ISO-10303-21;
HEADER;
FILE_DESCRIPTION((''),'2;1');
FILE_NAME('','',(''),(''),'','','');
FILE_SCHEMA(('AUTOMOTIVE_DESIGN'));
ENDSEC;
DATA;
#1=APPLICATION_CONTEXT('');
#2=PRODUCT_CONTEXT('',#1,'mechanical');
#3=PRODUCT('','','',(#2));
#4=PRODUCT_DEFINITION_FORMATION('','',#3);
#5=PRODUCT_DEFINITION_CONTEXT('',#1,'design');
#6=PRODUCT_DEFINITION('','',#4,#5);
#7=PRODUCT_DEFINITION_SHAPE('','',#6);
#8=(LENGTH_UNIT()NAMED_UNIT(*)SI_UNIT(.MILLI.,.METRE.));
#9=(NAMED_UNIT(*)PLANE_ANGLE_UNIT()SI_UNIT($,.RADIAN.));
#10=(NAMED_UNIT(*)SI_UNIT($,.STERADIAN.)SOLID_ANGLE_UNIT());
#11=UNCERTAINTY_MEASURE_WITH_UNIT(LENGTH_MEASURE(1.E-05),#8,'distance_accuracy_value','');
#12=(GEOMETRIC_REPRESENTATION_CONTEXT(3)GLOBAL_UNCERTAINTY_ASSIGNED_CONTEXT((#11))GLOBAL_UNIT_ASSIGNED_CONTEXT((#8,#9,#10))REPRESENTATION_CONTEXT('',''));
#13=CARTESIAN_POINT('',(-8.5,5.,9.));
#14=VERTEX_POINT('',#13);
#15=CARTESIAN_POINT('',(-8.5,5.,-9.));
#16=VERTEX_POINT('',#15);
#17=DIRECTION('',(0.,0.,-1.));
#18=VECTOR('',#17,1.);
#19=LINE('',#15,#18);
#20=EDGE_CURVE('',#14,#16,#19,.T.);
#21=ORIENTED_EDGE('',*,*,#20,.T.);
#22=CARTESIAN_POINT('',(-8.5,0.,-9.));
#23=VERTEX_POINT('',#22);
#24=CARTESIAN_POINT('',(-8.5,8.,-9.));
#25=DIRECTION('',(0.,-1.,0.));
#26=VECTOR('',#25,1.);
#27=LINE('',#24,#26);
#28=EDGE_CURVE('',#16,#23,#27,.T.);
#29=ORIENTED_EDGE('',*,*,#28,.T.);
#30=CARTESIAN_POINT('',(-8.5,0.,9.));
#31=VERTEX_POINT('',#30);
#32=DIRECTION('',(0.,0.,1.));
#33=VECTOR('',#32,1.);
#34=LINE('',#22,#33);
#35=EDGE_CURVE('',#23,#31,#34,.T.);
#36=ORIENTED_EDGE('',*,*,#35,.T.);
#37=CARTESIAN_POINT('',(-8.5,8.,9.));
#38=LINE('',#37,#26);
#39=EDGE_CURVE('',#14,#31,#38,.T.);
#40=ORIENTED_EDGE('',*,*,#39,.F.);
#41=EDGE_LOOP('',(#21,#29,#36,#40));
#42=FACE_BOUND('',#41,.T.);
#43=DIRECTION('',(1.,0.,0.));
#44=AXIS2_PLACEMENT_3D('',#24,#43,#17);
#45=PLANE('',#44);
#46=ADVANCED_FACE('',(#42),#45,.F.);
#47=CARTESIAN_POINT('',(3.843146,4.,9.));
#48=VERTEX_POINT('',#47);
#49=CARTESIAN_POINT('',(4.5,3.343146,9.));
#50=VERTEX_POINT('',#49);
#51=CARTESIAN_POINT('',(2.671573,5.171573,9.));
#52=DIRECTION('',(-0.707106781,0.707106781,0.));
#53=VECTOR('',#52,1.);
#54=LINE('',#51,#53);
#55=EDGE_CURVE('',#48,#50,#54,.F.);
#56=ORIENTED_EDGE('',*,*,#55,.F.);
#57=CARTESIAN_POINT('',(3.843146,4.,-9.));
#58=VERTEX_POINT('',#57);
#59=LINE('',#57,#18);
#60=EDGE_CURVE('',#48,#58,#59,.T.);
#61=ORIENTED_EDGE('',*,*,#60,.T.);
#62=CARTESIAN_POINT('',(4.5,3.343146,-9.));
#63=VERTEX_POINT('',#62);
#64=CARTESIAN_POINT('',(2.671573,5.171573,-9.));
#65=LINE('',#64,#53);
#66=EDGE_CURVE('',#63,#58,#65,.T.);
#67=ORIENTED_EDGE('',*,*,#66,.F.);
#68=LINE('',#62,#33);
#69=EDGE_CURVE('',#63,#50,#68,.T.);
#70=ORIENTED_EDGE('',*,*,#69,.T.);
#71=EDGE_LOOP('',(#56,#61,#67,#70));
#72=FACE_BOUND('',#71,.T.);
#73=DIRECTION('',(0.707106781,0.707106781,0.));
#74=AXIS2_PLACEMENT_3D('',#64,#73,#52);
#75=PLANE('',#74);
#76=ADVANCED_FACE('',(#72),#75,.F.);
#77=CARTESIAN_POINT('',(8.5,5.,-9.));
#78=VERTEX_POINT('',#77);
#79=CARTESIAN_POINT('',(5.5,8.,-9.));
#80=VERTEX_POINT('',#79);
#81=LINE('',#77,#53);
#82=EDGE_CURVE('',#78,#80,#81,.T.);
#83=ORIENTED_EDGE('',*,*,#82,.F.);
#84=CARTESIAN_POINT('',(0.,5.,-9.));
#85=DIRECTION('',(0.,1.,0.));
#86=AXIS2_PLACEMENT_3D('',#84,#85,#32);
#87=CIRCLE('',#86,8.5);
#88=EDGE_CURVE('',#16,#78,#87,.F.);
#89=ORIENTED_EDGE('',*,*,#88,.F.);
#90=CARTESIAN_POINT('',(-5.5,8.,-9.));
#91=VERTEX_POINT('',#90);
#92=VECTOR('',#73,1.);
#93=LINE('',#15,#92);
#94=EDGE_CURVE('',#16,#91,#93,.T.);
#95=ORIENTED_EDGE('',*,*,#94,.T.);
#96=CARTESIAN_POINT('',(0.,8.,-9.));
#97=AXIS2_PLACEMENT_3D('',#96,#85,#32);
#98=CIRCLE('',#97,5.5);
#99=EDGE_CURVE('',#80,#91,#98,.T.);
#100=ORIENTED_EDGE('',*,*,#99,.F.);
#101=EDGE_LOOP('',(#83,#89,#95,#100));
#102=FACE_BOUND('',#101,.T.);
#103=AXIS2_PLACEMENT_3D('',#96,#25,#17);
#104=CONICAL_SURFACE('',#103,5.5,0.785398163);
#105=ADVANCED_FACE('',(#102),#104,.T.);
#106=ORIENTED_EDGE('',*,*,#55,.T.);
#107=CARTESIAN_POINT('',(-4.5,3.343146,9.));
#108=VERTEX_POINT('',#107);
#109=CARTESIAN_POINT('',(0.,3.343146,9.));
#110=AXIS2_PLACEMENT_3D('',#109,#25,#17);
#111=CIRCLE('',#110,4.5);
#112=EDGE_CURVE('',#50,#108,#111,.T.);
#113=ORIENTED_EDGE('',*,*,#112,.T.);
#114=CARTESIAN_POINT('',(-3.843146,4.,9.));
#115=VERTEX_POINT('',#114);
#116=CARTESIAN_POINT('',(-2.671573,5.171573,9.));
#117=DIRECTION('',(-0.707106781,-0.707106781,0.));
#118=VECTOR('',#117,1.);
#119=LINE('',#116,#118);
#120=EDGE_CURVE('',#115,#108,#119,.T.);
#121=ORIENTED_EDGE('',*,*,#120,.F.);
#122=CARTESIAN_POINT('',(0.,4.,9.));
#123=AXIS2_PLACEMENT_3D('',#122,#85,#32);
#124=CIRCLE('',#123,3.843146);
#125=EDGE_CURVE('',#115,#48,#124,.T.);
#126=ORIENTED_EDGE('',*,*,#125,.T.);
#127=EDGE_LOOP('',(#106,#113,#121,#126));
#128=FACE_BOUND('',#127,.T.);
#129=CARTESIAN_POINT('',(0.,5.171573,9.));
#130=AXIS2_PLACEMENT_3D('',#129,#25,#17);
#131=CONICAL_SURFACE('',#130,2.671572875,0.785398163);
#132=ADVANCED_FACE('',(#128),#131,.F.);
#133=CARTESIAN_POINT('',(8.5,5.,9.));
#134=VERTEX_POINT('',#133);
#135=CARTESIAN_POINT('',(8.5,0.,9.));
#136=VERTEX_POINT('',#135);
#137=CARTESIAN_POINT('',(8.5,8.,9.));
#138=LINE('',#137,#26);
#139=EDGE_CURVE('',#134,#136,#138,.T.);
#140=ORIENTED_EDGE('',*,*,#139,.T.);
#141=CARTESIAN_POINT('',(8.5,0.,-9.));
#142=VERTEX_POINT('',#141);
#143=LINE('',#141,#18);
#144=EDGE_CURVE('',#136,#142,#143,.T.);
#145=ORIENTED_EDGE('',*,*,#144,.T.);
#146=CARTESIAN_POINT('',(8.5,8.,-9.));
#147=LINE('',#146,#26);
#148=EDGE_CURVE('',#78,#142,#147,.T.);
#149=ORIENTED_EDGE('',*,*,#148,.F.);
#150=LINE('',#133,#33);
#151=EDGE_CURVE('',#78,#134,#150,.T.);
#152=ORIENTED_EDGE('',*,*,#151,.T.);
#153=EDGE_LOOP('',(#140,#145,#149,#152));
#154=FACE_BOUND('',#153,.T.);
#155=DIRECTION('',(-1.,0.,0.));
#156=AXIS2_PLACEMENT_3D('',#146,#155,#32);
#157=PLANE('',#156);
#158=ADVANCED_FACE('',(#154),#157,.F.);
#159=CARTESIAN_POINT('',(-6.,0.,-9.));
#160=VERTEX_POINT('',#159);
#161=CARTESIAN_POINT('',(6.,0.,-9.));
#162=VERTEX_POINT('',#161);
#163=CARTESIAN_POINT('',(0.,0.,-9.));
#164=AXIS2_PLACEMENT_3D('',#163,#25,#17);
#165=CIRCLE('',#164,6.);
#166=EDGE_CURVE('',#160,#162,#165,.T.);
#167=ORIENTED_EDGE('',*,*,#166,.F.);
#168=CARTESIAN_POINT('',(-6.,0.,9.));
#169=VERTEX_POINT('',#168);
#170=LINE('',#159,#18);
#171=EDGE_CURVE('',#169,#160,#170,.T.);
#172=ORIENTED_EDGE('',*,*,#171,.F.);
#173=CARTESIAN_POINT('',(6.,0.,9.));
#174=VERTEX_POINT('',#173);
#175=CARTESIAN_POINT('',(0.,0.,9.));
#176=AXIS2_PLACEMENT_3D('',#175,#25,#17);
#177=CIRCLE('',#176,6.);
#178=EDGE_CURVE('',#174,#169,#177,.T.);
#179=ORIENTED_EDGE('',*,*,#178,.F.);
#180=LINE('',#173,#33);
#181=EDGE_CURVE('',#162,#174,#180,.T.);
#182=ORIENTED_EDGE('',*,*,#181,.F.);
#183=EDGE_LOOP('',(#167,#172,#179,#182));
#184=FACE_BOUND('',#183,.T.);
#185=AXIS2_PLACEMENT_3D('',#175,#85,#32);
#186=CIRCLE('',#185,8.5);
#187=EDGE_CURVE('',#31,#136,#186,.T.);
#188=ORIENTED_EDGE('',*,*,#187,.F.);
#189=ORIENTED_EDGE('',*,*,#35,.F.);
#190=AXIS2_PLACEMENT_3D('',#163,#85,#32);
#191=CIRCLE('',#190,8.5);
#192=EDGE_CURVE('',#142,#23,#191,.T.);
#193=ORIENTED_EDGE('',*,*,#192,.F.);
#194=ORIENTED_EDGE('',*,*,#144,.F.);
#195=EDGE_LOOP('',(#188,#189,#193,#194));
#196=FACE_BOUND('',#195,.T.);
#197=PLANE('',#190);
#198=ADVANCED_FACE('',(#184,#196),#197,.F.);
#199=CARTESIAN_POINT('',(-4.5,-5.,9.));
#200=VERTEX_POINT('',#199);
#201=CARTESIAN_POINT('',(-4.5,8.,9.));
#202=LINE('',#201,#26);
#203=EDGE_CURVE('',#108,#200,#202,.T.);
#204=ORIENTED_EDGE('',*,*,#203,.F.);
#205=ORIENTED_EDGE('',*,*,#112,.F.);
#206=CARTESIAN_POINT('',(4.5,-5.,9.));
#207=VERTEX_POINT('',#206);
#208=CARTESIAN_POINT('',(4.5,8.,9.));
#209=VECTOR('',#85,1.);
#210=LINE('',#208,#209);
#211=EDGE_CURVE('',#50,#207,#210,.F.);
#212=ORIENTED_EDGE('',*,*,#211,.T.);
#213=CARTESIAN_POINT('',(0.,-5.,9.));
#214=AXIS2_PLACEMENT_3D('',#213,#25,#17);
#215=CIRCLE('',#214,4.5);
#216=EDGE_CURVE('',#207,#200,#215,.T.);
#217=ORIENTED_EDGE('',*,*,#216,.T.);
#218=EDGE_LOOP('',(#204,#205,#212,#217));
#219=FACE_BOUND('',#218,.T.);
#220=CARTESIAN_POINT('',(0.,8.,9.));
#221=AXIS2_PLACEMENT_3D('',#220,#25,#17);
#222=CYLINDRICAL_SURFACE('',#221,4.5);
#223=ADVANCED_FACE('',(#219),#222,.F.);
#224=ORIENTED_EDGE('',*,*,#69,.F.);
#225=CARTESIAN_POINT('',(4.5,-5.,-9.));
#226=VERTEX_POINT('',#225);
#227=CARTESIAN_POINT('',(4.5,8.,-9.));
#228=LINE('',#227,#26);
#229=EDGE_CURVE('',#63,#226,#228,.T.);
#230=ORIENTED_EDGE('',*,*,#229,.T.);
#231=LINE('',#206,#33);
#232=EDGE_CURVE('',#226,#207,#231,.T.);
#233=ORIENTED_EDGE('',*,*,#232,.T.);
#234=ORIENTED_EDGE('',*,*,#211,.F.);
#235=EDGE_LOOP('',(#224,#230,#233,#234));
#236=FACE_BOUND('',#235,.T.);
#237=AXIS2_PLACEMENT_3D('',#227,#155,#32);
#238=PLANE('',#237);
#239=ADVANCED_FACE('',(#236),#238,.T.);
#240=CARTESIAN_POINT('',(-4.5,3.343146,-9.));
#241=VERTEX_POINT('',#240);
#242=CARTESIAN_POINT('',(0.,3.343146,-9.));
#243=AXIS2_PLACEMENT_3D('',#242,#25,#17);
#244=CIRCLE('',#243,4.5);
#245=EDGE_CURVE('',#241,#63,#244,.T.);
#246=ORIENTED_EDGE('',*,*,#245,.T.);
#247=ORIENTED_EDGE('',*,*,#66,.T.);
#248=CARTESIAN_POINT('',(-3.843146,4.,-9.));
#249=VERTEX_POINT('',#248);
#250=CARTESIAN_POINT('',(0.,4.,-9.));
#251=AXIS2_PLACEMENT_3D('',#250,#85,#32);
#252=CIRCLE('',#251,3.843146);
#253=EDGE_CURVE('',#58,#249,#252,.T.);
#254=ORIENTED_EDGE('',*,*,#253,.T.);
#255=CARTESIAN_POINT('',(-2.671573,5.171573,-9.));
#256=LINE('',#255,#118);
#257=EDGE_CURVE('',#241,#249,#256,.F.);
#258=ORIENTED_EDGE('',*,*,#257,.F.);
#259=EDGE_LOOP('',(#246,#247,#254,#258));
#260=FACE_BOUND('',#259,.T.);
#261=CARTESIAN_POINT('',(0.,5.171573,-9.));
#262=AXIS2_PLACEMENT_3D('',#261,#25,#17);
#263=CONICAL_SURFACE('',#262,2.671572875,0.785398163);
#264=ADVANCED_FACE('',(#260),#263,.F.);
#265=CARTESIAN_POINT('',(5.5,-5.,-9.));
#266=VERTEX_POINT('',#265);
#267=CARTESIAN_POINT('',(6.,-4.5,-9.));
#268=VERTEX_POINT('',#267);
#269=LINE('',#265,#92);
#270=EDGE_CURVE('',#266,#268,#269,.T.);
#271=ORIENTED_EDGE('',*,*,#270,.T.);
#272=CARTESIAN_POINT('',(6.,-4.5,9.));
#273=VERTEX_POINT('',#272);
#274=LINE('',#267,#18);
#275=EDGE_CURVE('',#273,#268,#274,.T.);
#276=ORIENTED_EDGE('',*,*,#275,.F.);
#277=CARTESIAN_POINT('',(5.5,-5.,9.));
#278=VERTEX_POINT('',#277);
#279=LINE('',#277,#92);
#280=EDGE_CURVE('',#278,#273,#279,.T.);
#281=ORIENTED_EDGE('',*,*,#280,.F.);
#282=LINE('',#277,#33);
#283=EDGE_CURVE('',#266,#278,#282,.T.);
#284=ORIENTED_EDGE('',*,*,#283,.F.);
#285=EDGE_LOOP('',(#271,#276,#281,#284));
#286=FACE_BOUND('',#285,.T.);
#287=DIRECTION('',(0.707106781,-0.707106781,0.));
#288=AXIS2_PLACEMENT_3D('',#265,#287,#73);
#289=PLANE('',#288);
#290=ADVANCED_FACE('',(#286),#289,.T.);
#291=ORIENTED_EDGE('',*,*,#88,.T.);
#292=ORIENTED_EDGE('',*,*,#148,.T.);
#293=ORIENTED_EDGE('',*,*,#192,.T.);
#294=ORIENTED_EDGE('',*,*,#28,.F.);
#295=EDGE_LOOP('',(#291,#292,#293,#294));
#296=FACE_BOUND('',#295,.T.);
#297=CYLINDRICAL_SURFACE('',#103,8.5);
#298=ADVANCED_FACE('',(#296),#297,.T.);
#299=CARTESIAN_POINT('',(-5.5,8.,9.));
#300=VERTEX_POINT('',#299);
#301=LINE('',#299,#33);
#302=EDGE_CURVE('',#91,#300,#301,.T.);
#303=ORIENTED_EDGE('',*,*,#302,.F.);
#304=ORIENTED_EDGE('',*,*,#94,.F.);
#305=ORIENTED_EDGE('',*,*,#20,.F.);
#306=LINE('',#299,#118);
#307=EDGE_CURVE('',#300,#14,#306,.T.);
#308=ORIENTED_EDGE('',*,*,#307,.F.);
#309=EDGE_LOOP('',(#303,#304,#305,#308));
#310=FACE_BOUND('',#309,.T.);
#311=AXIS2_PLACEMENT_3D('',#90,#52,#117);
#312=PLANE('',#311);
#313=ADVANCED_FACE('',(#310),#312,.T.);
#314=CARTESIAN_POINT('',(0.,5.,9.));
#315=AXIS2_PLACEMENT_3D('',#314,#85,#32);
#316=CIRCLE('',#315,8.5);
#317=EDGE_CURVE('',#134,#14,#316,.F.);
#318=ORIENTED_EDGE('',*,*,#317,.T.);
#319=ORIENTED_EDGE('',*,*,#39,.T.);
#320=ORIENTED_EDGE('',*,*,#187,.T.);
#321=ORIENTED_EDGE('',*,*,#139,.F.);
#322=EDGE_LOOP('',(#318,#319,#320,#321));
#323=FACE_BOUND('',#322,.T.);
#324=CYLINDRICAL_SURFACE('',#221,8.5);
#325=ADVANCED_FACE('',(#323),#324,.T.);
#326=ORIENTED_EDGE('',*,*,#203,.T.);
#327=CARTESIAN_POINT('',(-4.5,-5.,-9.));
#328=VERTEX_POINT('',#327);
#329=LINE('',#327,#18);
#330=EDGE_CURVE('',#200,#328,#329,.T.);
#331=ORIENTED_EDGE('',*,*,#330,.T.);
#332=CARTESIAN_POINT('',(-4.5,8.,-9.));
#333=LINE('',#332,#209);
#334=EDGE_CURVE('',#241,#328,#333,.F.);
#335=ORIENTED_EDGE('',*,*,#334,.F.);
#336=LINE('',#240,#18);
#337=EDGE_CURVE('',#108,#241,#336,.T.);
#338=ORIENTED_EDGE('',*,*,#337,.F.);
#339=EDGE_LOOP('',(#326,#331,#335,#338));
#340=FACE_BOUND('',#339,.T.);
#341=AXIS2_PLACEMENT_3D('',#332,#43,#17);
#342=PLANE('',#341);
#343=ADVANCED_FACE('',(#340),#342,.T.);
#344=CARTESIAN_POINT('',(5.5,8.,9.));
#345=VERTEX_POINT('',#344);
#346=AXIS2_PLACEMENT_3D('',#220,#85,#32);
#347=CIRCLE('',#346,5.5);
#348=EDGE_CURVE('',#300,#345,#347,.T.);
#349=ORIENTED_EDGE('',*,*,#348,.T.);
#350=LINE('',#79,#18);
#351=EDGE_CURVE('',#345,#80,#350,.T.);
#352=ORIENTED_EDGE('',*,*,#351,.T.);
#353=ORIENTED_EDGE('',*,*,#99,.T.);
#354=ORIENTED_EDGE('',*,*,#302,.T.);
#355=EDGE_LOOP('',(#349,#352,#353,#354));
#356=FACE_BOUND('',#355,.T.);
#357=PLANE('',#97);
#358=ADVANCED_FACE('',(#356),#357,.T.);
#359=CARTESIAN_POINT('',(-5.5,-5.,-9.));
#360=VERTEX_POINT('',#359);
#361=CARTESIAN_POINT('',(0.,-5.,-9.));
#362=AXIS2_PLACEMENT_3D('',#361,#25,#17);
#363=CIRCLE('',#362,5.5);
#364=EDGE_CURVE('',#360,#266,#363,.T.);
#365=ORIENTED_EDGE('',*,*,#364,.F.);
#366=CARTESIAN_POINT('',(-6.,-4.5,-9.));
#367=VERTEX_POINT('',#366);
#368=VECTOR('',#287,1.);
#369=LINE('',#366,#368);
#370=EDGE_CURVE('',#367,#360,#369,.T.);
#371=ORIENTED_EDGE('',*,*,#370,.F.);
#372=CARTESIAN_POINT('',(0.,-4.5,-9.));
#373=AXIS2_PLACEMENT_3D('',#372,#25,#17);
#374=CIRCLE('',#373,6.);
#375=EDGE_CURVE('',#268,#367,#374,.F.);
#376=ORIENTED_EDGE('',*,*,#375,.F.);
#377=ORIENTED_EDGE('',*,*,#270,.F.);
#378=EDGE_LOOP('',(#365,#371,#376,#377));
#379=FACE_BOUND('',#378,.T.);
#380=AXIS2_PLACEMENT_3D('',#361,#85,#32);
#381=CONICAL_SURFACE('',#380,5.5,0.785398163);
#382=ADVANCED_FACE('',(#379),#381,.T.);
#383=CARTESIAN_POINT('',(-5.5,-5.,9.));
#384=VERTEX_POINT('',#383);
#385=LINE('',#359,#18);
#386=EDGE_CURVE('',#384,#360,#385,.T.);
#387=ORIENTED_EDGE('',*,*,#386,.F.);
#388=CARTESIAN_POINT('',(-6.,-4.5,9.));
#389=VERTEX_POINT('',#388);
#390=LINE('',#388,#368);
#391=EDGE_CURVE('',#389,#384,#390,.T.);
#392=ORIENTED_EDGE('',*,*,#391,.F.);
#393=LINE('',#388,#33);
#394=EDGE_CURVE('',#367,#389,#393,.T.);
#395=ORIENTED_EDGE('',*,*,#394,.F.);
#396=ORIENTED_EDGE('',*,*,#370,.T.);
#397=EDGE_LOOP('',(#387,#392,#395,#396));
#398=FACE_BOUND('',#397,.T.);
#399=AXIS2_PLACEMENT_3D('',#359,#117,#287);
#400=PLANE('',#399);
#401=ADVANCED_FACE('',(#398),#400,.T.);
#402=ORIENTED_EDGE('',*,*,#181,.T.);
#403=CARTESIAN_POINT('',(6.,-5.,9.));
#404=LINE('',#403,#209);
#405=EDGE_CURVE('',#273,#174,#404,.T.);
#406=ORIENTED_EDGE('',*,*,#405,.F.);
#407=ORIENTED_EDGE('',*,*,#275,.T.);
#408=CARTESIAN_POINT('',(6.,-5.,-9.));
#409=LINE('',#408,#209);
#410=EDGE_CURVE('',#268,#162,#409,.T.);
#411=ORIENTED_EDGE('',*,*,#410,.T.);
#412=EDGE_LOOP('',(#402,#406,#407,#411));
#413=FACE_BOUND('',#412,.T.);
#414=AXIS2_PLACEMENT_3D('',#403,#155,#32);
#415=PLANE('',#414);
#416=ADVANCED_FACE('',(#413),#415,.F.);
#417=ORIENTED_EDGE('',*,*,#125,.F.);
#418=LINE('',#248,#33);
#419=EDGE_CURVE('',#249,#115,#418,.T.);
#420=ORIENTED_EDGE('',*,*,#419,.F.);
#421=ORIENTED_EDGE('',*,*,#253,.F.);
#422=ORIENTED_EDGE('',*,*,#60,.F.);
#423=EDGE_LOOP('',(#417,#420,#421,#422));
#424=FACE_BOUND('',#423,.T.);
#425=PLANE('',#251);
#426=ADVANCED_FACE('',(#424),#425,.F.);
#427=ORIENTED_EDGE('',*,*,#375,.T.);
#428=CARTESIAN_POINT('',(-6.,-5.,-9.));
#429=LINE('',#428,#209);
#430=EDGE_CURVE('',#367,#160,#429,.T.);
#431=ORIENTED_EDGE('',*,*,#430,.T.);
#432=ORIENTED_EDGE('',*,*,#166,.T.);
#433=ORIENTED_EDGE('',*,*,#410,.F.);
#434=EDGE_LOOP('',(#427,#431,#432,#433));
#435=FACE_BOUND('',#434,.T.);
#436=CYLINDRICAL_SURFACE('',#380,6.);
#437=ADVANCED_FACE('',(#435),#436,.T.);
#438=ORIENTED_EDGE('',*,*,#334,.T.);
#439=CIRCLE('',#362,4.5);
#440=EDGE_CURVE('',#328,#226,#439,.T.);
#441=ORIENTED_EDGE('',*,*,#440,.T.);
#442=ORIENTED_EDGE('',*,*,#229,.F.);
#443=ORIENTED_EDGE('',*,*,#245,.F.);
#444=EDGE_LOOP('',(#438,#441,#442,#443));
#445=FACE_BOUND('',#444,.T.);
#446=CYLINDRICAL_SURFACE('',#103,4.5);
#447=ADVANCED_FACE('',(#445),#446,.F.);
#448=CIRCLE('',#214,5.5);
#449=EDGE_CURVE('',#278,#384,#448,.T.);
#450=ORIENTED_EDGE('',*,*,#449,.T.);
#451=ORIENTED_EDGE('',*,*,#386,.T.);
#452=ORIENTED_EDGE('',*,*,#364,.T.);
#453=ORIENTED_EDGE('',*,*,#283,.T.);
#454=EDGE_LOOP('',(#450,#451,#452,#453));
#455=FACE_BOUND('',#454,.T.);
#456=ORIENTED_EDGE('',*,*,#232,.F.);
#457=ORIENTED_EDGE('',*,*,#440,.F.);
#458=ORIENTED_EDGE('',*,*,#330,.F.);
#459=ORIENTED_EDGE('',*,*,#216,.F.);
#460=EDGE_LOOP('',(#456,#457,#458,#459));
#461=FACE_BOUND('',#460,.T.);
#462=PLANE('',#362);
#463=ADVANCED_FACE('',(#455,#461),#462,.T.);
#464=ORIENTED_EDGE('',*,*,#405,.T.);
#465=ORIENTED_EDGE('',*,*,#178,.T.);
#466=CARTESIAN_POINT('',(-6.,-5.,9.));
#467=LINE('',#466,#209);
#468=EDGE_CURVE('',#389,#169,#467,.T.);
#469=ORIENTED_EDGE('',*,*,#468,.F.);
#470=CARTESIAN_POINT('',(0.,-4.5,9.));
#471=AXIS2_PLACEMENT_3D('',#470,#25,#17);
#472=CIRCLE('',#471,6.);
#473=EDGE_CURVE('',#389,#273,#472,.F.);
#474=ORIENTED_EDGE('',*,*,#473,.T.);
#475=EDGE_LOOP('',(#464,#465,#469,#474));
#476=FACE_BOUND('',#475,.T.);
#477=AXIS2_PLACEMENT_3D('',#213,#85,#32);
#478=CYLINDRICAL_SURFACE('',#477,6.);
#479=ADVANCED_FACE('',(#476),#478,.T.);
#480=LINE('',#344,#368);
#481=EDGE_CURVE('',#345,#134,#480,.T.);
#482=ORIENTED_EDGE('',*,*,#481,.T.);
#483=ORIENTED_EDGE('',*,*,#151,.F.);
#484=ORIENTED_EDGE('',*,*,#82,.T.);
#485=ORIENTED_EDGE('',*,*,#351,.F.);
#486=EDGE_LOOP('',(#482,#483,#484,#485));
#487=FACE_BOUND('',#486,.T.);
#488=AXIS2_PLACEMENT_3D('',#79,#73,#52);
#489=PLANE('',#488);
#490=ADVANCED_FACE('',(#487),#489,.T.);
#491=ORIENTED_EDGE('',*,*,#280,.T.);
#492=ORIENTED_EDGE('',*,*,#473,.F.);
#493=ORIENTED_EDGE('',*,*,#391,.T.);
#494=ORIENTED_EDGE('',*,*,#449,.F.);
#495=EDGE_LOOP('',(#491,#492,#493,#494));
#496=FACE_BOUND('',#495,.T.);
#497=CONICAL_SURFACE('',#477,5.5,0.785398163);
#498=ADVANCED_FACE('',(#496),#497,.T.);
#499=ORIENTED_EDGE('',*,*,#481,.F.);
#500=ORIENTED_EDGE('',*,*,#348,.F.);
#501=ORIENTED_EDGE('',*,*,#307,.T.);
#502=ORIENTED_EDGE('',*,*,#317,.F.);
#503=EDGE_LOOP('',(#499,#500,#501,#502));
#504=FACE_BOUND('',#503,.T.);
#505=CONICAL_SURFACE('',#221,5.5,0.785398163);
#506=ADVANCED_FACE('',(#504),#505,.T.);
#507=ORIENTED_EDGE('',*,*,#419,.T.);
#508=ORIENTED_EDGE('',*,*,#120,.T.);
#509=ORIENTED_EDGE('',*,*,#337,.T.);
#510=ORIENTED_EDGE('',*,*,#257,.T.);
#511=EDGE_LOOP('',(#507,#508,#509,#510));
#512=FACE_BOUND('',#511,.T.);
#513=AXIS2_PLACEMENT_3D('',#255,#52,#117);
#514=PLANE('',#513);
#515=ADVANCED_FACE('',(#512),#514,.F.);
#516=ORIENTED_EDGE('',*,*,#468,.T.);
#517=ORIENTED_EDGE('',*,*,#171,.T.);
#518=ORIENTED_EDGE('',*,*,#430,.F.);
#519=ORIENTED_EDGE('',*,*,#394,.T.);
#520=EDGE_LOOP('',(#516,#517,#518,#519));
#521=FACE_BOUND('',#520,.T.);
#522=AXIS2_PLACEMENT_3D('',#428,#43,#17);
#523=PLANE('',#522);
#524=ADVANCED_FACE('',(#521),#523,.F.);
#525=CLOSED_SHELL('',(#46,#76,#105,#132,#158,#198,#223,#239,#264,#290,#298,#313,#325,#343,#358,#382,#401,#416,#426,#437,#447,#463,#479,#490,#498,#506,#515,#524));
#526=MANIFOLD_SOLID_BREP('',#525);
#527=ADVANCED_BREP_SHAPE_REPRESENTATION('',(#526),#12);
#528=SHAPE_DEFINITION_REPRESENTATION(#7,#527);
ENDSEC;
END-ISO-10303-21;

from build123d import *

# Parameters (mm, degrees)
EXTRUSION1_DEPTH = 8
CHANFREIN1_SIZE  = 3
COQUE1_T         = -4
EXTRUSION2_DEPTH = 5
CHANFREIN2_SIZE  = 0.5


with BuildPart() as part:
    # Esquisse1 → Extrusion1 (new body)
    with BuildSketch(Plane(origin=(0, 0, 0), x_dir=(1, 0, 0), z_dir=(0, 1, 0))):
        with BuildLine():
            Line((-8.5, 9), (-8.5, -9))
            ThreePointArc((-8.5, -9), (0, -17.5), (8.5, -9))
            Line((8.5, -9), (8.5, 9))
            ThreePointArc((8.5, 9), (0, 17.5), (-8.5, 9))
        make_face()
    extrude(amount=EXTRUSION1_DEPTH)

    # Chanfrein1
    chanfrein1_edges = [part.edges().sort_by_distance(p)[0] for p in [
        (0, 8, 17.5),
        (8.5, 8, 0),
        (0, 8, -17.5),
        (-8.5, 8, 0),
    ]]
    chamfer(chanfrein1_edges, length=CHANFREIN1_SIZE)

    # Coque1
    coque1_openings = [part.faces().sort_by_distance(p)[0] for p in [
        (0, 0, 0),
    ]]
    offset(amount=COQUE1_T, openings=coque1_openings, kind=Kind.INTERSECTION)

    # Esquisse2 → Extrusion2 (add)
    with BuildSketch(Plane.XZ):
        with BuildLine():
            Line((-6, -9), (-6, 9))
            ThreePointArc((-6, 9), (0, 15), (6, 9))
            Line((6, 9), (6, -9))
            ThreePointArc((6, -9), (0, -15), (-6, -9))
        make_face()
        with BuildLine():
            Line((4.5, 9), (4.5, -9))
            ThreePointArc((4.5, -9), (0, -13.5), (-4.5, -9))
            Line((-4.5, -9), (-4.5, 9))
            ThreePointArc((-4.5, 9), (0, 13.5), (4.5, 9))
        make_face(mode=Mode.SUBTRACT)
    extrude(amount=EXTRUSION2_DEPTH)

    # Chanfrein2
    chanfrein2_edges = [part.edges().sort_by_distance(p)[0] for p in [
        (0, -5, -15),
        (6, -5, 0),
        (0, -5, 15),
        (-6, -5, 0),
    ]]
    chamfer(chanfrein2_edges, length=CHANFREIN2_SIZE)


solid = part.part
